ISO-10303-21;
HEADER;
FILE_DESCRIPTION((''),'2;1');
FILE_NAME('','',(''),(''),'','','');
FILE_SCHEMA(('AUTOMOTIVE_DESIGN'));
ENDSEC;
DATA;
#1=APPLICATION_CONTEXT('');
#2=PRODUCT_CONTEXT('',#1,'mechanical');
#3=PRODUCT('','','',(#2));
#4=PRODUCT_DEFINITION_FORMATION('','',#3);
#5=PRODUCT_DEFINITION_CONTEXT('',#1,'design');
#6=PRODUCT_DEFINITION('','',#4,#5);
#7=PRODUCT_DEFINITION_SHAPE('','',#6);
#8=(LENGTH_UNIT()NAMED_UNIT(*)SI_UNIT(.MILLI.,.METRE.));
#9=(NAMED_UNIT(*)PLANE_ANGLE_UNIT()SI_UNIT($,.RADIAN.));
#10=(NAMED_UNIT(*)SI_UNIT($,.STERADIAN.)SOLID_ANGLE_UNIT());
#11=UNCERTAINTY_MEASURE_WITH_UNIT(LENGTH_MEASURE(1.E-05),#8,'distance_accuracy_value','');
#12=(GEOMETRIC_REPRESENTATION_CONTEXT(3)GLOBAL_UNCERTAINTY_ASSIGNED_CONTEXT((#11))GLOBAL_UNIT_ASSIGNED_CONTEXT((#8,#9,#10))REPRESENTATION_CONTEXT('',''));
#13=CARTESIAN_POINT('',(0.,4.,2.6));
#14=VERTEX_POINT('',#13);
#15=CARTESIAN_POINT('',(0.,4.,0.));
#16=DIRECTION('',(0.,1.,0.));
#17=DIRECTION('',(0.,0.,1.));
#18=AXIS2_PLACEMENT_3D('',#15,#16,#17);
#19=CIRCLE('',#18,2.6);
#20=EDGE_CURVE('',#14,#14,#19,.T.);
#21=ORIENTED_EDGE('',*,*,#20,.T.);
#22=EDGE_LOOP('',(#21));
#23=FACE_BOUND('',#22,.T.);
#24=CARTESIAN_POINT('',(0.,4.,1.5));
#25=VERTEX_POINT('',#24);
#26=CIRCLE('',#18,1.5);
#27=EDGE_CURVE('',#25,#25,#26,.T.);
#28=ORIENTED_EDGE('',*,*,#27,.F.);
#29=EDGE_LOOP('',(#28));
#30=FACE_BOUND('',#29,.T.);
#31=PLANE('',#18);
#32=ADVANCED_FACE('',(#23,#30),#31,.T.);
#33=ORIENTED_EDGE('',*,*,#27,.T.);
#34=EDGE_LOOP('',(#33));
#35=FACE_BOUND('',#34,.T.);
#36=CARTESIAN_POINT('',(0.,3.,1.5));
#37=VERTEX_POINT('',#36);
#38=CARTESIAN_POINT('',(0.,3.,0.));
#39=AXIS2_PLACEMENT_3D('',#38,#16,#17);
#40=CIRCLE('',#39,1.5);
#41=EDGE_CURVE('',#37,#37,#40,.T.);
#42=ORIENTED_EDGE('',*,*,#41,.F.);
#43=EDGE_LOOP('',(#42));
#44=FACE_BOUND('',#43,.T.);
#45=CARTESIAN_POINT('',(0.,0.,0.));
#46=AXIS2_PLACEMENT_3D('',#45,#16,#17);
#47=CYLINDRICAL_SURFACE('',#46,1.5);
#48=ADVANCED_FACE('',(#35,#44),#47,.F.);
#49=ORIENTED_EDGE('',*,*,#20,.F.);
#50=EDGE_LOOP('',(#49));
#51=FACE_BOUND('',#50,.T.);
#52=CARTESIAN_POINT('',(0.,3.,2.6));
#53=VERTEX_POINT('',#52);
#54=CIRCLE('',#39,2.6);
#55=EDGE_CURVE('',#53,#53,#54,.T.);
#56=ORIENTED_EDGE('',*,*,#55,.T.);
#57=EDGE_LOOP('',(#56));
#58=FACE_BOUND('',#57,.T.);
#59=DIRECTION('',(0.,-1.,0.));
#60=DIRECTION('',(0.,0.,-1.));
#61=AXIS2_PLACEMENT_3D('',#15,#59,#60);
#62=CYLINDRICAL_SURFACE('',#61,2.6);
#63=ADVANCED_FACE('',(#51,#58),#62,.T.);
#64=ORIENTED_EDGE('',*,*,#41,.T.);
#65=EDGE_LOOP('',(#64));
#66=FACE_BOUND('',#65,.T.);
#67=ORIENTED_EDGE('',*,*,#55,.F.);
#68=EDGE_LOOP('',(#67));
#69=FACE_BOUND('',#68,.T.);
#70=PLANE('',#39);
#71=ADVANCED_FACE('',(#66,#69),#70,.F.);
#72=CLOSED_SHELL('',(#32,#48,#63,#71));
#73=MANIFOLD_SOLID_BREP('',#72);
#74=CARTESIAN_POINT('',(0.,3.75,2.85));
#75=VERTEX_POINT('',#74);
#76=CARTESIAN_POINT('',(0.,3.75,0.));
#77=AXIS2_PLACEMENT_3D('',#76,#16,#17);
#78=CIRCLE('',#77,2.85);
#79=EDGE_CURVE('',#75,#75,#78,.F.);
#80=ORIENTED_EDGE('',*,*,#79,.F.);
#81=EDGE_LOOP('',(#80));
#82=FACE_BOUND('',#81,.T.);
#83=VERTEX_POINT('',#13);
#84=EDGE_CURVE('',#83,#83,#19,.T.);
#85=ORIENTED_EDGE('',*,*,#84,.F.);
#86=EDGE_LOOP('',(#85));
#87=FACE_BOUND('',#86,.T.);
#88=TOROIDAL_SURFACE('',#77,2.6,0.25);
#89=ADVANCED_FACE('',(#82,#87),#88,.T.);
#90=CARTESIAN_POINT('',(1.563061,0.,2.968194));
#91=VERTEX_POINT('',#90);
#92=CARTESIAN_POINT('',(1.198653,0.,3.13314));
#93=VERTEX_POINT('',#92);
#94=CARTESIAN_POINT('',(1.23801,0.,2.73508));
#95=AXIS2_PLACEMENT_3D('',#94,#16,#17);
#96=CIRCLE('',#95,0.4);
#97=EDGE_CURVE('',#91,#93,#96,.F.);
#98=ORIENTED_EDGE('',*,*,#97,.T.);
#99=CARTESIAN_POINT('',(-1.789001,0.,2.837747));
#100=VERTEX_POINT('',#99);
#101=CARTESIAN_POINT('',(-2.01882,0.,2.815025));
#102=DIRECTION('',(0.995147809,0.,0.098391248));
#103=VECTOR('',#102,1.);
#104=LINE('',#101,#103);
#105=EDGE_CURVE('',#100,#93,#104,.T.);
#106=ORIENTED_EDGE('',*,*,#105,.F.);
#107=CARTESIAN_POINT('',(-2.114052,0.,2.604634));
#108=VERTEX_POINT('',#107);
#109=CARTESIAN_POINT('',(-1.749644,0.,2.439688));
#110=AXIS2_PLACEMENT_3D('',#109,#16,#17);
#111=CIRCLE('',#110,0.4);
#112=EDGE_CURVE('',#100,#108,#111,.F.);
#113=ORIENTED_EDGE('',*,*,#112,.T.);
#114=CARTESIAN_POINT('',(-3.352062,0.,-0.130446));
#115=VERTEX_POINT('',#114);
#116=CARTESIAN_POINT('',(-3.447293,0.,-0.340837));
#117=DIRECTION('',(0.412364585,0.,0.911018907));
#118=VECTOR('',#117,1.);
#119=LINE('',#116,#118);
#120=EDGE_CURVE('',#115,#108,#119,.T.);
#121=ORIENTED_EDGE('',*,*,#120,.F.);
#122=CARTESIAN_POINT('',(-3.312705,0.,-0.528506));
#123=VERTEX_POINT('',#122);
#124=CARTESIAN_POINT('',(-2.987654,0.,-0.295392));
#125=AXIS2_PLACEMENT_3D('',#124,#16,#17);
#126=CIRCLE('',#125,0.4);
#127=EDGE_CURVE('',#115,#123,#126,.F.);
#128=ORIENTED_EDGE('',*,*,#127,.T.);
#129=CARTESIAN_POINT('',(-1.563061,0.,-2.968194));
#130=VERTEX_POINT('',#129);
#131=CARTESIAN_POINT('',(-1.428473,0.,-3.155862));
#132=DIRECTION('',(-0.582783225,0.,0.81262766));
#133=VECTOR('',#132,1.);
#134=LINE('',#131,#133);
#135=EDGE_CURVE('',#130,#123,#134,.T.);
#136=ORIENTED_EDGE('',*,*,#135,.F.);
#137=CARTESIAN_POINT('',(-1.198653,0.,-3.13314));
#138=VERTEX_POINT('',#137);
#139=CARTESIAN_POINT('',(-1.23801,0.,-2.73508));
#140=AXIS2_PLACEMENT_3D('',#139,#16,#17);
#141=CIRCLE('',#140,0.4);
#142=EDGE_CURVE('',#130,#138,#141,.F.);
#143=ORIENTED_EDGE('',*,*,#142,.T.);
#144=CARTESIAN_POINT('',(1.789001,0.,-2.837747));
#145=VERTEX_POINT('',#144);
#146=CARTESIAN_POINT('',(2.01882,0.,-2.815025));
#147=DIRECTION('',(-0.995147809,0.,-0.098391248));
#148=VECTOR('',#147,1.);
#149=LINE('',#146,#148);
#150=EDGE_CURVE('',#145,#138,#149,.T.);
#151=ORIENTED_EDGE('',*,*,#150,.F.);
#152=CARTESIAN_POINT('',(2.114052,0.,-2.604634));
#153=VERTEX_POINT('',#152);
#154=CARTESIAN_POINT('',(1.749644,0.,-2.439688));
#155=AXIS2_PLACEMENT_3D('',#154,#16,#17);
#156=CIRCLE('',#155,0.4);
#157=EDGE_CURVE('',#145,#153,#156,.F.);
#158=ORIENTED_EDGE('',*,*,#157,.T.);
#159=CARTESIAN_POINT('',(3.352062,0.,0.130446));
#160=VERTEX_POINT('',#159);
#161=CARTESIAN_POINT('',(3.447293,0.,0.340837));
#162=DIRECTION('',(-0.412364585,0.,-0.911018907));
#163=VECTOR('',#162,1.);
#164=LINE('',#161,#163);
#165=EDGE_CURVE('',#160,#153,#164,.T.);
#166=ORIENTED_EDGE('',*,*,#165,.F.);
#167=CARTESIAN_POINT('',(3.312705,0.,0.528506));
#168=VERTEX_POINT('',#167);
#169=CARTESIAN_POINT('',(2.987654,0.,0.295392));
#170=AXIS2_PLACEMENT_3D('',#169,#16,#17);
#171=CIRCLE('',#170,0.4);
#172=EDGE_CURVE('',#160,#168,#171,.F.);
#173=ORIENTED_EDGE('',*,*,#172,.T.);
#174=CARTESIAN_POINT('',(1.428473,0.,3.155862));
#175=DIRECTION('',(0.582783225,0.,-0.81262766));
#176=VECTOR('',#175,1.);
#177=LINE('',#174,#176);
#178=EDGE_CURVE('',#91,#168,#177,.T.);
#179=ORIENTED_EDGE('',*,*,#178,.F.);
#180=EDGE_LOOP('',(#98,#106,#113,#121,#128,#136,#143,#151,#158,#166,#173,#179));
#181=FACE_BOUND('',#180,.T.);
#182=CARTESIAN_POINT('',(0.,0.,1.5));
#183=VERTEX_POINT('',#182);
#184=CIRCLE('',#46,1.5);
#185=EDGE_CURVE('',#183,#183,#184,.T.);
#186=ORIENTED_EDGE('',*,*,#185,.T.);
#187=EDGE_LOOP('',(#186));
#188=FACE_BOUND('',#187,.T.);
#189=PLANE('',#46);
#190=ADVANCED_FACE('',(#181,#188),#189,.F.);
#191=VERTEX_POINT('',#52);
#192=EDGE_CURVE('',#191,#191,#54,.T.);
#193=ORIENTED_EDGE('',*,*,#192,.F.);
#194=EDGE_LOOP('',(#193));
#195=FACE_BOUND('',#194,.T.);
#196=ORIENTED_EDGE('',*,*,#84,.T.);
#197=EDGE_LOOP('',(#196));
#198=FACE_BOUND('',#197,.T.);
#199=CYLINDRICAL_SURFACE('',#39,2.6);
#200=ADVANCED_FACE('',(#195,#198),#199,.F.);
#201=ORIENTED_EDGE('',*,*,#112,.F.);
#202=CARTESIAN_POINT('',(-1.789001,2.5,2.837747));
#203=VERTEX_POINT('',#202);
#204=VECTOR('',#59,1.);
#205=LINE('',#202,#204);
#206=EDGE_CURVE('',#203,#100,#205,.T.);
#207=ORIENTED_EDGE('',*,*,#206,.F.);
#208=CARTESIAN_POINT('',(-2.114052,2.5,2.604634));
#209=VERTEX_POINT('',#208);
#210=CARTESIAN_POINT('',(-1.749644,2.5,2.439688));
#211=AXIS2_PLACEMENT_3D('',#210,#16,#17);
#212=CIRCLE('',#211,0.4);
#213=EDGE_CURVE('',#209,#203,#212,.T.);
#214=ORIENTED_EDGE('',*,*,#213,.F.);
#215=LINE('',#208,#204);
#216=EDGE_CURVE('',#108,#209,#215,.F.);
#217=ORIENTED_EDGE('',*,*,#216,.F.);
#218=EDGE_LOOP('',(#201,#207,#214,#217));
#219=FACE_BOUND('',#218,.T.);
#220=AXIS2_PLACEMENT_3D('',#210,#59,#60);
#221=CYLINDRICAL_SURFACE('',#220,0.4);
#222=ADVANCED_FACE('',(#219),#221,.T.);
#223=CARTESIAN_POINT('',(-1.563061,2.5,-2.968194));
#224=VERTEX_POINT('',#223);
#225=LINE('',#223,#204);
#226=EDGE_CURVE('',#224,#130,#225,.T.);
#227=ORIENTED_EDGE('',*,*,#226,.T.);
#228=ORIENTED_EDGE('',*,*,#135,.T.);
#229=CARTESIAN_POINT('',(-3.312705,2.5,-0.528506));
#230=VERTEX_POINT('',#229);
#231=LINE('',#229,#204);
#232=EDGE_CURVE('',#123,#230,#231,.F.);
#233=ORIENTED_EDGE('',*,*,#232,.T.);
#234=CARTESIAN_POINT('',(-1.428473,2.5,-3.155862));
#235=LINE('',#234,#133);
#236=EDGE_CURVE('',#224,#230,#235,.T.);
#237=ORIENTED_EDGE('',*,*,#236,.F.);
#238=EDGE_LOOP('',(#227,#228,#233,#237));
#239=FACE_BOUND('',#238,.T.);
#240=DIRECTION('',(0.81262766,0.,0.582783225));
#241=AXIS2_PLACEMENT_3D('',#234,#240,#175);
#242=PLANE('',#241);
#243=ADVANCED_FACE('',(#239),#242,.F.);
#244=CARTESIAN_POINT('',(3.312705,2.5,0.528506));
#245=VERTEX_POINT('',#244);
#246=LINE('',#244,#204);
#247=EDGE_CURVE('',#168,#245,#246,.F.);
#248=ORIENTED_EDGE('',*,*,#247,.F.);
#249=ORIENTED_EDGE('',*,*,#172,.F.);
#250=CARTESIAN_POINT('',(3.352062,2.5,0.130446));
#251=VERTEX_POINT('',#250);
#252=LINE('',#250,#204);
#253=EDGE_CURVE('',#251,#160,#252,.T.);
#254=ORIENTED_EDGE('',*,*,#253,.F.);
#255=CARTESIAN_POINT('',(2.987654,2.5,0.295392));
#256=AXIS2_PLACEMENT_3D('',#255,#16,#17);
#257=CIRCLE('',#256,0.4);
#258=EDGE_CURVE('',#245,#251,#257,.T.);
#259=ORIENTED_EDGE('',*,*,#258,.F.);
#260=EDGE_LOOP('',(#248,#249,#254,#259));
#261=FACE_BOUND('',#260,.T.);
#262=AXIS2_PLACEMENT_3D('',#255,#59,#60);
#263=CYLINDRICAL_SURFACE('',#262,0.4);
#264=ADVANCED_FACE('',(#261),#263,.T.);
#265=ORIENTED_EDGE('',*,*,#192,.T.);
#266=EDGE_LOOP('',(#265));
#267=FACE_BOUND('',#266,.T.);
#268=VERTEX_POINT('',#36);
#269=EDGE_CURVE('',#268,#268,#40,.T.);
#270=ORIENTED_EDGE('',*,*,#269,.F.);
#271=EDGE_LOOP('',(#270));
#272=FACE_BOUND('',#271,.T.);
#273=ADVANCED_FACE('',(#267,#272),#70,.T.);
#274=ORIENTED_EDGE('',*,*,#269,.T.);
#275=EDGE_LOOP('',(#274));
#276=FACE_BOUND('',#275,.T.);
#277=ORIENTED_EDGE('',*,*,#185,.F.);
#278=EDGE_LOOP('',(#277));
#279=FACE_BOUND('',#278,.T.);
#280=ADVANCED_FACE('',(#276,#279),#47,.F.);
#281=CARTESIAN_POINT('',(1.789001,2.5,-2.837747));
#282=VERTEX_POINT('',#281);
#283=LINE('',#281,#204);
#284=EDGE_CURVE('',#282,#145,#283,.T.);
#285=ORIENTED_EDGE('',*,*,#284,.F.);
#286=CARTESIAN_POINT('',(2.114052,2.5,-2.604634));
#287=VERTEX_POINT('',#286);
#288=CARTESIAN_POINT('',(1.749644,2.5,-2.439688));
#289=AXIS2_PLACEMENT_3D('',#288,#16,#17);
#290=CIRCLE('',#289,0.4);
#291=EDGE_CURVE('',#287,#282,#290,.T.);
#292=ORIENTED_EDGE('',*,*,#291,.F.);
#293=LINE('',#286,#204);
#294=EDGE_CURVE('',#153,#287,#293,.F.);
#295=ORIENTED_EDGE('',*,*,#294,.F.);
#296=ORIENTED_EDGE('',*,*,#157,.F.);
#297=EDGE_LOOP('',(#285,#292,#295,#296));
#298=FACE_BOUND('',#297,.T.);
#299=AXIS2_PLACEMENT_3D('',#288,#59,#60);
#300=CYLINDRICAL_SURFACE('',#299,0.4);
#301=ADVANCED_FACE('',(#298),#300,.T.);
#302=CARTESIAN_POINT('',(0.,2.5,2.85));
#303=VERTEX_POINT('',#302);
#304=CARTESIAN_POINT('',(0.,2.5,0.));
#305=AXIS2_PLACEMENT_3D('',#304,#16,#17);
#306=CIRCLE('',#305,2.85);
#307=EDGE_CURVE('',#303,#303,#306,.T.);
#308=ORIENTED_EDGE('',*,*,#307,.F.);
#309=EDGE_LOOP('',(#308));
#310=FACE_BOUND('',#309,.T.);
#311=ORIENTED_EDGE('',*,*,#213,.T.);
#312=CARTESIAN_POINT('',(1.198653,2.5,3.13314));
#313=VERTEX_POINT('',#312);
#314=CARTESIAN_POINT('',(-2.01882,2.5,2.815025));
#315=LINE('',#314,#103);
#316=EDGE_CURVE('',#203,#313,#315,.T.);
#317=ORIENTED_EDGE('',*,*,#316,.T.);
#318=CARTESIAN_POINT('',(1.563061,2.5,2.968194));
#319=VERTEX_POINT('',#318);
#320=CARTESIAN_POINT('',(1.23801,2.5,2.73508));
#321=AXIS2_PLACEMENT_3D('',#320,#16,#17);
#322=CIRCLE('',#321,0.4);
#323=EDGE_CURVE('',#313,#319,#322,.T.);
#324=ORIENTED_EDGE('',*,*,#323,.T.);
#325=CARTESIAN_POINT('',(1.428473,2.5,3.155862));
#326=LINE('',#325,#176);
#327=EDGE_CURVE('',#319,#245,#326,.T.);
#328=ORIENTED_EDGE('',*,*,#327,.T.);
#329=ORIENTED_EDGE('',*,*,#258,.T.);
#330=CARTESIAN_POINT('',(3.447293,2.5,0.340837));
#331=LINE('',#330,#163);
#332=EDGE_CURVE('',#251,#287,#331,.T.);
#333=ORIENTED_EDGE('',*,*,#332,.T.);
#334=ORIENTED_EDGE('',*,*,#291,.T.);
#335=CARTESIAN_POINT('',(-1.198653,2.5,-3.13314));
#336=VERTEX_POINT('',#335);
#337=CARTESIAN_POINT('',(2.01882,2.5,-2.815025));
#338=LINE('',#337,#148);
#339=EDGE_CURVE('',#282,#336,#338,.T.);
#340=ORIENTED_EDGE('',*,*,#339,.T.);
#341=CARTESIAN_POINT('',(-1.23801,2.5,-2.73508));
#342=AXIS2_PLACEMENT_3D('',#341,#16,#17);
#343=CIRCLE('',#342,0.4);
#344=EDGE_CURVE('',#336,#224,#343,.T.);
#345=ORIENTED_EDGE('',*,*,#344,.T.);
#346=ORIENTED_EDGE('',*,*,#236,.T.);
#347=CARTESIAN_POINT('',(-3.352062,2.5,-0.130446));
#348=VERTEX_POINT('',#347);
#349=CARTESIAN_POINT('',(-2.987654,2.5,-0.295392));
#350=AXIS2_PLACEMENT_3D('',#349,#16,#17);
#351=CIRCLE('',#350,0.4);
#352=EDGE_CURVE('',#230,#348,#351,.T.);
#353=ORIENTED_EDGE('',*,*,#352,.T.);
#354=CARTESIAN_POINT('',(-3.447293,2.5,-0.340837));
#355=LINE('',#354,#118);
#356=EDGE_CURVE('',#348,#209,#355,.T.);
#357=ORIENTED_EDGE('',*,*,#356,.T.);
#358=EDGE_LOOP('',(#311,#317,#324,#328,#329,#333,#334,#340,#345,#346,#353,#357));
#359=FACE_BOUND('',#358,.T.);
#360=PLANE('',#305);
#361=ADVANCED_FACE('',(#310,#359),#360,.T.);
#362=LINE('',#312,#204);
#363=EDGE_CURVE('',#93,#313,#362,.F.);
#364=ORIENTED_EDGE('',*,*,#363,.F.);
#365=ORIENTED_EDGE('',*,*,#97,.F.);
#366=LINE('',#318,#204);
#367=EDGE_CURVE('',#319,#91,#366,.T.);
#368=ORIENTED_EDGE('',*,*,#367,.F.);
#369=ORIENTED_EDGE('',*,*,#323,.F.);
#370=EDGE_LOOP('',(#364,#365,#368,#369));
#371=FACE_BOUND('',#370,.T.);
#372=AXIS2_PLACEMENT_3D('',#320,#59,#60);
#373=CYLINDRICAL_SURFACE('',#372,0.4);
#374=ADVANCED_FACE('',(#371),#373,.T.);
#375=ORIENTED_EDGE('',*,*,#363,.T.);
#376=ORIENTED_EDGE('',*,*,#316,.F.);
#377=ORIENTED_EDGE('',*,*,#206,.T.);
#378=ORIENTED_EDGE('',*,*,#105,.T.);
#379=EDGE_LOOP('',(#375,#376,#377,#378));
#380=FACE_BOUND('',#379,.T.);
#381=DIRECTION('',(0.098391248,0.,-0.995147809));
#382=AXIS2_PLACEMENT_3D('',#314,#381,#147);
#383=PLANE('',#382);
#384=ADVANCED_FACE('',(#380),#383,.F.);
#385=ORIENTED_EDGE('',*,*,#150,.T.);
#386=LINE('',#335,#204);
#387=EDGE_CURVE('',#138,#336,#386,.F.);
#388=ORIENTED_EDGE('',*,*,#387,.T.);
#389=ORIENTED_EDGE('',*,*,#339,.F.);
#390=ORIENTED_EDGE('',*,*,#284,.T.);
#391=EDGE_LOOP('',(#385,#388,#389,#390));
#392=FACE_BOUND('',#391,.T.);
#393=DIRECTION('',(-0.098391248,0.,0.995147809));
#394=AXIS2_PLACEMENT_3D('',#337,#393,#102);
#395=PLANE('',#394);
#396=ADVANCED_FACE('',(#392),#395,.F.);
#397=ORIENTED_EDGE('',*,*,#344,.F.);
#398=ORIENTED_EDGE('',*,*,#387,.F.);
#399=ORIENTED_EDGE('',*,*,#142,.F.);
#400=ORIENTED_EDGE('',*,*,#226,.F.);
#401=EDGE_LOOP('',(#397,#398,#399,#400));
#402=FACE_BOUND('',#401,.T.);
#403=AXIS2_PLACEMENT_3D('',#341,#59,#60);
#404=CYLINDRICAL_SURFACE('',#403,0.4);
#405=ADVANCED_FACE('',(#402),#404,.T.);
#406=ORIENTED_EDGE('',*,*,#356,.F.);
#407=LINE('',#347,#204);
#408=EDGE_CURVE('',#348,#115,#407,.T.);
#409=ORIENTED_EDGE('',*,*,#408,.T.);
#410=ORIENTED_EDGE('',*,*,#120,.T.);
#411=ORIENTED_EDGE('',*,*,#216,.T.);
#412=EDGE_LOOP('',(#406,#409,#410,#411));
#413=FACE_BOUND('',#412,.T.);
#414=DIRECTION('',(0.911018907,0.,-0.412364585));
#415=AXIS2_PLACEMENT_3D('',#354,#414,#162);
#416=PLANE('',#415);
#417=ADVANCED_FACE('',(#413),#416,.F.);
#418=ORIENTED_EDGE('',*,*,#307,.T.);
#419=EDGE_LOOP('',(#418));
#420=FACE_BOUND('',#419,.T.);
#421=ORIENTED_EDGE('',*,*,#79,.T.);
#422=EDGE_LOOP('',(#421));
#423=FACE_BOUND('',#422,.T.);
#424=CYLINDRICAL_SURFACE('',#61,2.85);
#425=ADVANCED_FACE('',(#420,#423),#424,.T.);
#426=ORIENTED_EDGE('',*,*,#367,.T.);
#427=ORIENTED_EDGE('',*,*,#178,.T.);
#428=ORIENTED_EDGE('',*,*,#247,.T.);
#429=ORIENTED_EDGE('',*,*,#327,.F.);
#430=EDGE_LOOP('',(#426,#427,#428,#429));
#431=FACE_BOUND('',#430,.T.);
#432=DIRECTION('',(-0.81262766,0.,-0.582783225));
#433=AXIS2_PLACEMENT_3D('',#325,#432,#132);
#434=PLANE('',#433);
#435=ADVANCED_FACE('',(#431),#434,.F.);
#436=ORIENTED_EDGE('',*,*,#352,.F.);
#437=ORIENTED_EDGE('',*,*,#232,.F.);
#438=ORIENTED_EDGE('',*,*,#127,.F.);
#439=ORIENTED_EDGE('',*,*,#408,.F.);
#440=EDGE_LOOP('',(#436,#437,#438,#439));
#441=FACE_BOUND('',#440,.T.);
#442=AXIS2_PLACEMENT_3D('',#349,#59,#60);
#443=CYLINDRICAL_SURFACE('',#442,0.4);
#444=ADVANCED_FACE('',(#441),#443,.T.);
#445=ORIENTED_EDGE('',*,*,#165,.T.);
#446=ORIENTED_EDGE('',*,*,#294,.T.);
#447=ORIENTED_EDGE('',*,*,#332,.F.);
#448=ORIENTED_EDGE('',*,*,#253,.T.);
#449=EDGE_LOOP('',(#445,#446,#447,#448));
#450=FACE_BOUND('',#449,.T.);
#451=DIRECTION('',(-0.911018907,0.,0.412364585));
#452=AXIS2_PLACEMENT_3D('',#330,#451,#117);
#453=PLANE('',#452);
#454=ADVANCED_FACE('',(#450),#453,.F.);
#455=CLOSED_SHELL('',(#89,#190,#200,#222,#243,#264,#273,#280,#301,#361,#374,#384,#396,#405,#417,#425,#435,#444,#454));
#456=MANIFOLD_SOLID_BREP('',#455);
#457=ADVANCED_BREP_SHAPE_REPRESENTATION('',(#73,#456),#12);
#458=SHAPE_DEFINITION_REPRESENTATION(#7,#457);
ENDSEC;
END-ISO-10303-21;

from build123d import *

# Parameters (mm, degrees)
BOSS_EXTRUDE1_DEPTH = 2.5
FILLET1_R           = 0.4
SKETCH2_R           = 2.85
BOSS_EXTRUDE2_DEPTH = 1.5
FILLET2_R           = 0.25
SKETCH5_R           = 2.6
SKETCH5_R_2         = 1.25
CUT_EXTRUDE2_DEPTH  = 1
SKETCH6_R           = 2.6
BOSS_EXTRUDE6_DEPTH = 1
SKETCH7_R           = 1.5
CUT_EXTRUDE3_DEPTH  = 7.107776145


with BuildPart() as part:
    # Sketch1 → Boss-Extrude1 (new body)
    with BuildSketch(Plane(origin=(0, 0, 0), x_dir=(1, 0, 0), z_dir=(0, 1, 0))):
        Polygon((1.428472824, -3.155862068), (3.447293134, -0.34083728), (2.01882031, 2.815024788), (-1.428472824, 3.155862068), (-3.447293134, 0.34083728), (-2.01882031, -2.815024788), align=None)
    extrude(amount=BOSS_EXTRUDE1_DEPTH)

    # Fillet1
    fillet1_edges = [part.edges().sort_by_distance(p)[0] for p in [
        (-2.01882031, 1.25, 2.815024788),
        (-3.447293134, 1.25, -0.34083728),
        (-1.428472824, 1.25, -3.155862068),
        (2.01882031, 1.25, -2.815024788),
        (3.447293134, 1.25, 0.34083728),
        (1.428472824, 1.25, 3.155862068),
    ]]
    fillet(fillet1_edges, radius=FILLET1_R)

    # Sketch2 → Boss-Extrude2 (add)
    with BuildSketch(Plane(origin=(0, 2.5, 0), x_dir=(1, 0, 0), z_dir=(0, 1, 0))):
        with Locations(Location((0, 0, 0), (0, 0, 270))):
            Circle(SKETCH2_R)
    extrude(amount=BOSS_EXTRUDE2_DEPTH)

    # Fillet2
    fillet2_edges = [part.edges().sort_by_distance(p)[0] for p in [
        (0, 4, -2.85),
    ]]
    fillet(fillet2_edges, radius=FILLET2_R)

    # Sketch5 → Cut-Extrude2 (cut)
    with BuildSketch(Plane(origin=(0, 4, 0), x_dir=(1, 0, 0), z_dir=(0, 1, 0))):
        with Locations(Location((0, 0, 0), (0, 0, 270))):
            Circle(SKETCH5_R)
        with Locations(Location((0, 0, 0), (0, 0, 270))):
            Circle(SKETCH5_R_2, mode=Mode.SUBTRACT)
    extrude(amount=-CUT_EXTRUDE2_DEPTH, mode=Mode.SUBTRACT)


with BuildPart() as body_2:
    # Sketch6 → Boss-Extrude6 (new body)
    with BuildSketch(Plane(origin=(0, 3, 0), x_dir=(1, 0, 0), z_dir=(0, 1, 0))):
        with Locations(Location((0, 0, 0), (0, 0, 270))):
            Circle(SKETCH6_R)
    extrude(amount=BOSS_EXTRUDE6_DEPTH)


with BuildPart() as cut_extrude3_tool:
    # Sketch7 → Cut-Extrude3 (new, through all)
    with BuildSketch(Plane(origin=(0, 4, 0), x_dir=(1, 0, 0), z_dir=(0, 1, 0))):
        with Locations(Location((0, 0, 0), (0, 0, 270))):
            Circle(SKETCH7_R)
    extrude(amount=-CUT_EXTRUDE3_DEPTH)


with BuildPart() as part_1:
    add(part.part)

    # Cut-Extrude3: cut by cut_extrude3_tool
    add(cut_extrude3_tool.part, mode=Mode.SUBTRACT)


with BuildPart() as body_2_1:
    add(body_2.part)

    # Cut-Extrude3: cut by cut_extrude3_tool
    add(cut_extrude3_tool.part, mode=Mode.SUBTRACT)


solid = Compound([part_1.part, body_2_1.part])
